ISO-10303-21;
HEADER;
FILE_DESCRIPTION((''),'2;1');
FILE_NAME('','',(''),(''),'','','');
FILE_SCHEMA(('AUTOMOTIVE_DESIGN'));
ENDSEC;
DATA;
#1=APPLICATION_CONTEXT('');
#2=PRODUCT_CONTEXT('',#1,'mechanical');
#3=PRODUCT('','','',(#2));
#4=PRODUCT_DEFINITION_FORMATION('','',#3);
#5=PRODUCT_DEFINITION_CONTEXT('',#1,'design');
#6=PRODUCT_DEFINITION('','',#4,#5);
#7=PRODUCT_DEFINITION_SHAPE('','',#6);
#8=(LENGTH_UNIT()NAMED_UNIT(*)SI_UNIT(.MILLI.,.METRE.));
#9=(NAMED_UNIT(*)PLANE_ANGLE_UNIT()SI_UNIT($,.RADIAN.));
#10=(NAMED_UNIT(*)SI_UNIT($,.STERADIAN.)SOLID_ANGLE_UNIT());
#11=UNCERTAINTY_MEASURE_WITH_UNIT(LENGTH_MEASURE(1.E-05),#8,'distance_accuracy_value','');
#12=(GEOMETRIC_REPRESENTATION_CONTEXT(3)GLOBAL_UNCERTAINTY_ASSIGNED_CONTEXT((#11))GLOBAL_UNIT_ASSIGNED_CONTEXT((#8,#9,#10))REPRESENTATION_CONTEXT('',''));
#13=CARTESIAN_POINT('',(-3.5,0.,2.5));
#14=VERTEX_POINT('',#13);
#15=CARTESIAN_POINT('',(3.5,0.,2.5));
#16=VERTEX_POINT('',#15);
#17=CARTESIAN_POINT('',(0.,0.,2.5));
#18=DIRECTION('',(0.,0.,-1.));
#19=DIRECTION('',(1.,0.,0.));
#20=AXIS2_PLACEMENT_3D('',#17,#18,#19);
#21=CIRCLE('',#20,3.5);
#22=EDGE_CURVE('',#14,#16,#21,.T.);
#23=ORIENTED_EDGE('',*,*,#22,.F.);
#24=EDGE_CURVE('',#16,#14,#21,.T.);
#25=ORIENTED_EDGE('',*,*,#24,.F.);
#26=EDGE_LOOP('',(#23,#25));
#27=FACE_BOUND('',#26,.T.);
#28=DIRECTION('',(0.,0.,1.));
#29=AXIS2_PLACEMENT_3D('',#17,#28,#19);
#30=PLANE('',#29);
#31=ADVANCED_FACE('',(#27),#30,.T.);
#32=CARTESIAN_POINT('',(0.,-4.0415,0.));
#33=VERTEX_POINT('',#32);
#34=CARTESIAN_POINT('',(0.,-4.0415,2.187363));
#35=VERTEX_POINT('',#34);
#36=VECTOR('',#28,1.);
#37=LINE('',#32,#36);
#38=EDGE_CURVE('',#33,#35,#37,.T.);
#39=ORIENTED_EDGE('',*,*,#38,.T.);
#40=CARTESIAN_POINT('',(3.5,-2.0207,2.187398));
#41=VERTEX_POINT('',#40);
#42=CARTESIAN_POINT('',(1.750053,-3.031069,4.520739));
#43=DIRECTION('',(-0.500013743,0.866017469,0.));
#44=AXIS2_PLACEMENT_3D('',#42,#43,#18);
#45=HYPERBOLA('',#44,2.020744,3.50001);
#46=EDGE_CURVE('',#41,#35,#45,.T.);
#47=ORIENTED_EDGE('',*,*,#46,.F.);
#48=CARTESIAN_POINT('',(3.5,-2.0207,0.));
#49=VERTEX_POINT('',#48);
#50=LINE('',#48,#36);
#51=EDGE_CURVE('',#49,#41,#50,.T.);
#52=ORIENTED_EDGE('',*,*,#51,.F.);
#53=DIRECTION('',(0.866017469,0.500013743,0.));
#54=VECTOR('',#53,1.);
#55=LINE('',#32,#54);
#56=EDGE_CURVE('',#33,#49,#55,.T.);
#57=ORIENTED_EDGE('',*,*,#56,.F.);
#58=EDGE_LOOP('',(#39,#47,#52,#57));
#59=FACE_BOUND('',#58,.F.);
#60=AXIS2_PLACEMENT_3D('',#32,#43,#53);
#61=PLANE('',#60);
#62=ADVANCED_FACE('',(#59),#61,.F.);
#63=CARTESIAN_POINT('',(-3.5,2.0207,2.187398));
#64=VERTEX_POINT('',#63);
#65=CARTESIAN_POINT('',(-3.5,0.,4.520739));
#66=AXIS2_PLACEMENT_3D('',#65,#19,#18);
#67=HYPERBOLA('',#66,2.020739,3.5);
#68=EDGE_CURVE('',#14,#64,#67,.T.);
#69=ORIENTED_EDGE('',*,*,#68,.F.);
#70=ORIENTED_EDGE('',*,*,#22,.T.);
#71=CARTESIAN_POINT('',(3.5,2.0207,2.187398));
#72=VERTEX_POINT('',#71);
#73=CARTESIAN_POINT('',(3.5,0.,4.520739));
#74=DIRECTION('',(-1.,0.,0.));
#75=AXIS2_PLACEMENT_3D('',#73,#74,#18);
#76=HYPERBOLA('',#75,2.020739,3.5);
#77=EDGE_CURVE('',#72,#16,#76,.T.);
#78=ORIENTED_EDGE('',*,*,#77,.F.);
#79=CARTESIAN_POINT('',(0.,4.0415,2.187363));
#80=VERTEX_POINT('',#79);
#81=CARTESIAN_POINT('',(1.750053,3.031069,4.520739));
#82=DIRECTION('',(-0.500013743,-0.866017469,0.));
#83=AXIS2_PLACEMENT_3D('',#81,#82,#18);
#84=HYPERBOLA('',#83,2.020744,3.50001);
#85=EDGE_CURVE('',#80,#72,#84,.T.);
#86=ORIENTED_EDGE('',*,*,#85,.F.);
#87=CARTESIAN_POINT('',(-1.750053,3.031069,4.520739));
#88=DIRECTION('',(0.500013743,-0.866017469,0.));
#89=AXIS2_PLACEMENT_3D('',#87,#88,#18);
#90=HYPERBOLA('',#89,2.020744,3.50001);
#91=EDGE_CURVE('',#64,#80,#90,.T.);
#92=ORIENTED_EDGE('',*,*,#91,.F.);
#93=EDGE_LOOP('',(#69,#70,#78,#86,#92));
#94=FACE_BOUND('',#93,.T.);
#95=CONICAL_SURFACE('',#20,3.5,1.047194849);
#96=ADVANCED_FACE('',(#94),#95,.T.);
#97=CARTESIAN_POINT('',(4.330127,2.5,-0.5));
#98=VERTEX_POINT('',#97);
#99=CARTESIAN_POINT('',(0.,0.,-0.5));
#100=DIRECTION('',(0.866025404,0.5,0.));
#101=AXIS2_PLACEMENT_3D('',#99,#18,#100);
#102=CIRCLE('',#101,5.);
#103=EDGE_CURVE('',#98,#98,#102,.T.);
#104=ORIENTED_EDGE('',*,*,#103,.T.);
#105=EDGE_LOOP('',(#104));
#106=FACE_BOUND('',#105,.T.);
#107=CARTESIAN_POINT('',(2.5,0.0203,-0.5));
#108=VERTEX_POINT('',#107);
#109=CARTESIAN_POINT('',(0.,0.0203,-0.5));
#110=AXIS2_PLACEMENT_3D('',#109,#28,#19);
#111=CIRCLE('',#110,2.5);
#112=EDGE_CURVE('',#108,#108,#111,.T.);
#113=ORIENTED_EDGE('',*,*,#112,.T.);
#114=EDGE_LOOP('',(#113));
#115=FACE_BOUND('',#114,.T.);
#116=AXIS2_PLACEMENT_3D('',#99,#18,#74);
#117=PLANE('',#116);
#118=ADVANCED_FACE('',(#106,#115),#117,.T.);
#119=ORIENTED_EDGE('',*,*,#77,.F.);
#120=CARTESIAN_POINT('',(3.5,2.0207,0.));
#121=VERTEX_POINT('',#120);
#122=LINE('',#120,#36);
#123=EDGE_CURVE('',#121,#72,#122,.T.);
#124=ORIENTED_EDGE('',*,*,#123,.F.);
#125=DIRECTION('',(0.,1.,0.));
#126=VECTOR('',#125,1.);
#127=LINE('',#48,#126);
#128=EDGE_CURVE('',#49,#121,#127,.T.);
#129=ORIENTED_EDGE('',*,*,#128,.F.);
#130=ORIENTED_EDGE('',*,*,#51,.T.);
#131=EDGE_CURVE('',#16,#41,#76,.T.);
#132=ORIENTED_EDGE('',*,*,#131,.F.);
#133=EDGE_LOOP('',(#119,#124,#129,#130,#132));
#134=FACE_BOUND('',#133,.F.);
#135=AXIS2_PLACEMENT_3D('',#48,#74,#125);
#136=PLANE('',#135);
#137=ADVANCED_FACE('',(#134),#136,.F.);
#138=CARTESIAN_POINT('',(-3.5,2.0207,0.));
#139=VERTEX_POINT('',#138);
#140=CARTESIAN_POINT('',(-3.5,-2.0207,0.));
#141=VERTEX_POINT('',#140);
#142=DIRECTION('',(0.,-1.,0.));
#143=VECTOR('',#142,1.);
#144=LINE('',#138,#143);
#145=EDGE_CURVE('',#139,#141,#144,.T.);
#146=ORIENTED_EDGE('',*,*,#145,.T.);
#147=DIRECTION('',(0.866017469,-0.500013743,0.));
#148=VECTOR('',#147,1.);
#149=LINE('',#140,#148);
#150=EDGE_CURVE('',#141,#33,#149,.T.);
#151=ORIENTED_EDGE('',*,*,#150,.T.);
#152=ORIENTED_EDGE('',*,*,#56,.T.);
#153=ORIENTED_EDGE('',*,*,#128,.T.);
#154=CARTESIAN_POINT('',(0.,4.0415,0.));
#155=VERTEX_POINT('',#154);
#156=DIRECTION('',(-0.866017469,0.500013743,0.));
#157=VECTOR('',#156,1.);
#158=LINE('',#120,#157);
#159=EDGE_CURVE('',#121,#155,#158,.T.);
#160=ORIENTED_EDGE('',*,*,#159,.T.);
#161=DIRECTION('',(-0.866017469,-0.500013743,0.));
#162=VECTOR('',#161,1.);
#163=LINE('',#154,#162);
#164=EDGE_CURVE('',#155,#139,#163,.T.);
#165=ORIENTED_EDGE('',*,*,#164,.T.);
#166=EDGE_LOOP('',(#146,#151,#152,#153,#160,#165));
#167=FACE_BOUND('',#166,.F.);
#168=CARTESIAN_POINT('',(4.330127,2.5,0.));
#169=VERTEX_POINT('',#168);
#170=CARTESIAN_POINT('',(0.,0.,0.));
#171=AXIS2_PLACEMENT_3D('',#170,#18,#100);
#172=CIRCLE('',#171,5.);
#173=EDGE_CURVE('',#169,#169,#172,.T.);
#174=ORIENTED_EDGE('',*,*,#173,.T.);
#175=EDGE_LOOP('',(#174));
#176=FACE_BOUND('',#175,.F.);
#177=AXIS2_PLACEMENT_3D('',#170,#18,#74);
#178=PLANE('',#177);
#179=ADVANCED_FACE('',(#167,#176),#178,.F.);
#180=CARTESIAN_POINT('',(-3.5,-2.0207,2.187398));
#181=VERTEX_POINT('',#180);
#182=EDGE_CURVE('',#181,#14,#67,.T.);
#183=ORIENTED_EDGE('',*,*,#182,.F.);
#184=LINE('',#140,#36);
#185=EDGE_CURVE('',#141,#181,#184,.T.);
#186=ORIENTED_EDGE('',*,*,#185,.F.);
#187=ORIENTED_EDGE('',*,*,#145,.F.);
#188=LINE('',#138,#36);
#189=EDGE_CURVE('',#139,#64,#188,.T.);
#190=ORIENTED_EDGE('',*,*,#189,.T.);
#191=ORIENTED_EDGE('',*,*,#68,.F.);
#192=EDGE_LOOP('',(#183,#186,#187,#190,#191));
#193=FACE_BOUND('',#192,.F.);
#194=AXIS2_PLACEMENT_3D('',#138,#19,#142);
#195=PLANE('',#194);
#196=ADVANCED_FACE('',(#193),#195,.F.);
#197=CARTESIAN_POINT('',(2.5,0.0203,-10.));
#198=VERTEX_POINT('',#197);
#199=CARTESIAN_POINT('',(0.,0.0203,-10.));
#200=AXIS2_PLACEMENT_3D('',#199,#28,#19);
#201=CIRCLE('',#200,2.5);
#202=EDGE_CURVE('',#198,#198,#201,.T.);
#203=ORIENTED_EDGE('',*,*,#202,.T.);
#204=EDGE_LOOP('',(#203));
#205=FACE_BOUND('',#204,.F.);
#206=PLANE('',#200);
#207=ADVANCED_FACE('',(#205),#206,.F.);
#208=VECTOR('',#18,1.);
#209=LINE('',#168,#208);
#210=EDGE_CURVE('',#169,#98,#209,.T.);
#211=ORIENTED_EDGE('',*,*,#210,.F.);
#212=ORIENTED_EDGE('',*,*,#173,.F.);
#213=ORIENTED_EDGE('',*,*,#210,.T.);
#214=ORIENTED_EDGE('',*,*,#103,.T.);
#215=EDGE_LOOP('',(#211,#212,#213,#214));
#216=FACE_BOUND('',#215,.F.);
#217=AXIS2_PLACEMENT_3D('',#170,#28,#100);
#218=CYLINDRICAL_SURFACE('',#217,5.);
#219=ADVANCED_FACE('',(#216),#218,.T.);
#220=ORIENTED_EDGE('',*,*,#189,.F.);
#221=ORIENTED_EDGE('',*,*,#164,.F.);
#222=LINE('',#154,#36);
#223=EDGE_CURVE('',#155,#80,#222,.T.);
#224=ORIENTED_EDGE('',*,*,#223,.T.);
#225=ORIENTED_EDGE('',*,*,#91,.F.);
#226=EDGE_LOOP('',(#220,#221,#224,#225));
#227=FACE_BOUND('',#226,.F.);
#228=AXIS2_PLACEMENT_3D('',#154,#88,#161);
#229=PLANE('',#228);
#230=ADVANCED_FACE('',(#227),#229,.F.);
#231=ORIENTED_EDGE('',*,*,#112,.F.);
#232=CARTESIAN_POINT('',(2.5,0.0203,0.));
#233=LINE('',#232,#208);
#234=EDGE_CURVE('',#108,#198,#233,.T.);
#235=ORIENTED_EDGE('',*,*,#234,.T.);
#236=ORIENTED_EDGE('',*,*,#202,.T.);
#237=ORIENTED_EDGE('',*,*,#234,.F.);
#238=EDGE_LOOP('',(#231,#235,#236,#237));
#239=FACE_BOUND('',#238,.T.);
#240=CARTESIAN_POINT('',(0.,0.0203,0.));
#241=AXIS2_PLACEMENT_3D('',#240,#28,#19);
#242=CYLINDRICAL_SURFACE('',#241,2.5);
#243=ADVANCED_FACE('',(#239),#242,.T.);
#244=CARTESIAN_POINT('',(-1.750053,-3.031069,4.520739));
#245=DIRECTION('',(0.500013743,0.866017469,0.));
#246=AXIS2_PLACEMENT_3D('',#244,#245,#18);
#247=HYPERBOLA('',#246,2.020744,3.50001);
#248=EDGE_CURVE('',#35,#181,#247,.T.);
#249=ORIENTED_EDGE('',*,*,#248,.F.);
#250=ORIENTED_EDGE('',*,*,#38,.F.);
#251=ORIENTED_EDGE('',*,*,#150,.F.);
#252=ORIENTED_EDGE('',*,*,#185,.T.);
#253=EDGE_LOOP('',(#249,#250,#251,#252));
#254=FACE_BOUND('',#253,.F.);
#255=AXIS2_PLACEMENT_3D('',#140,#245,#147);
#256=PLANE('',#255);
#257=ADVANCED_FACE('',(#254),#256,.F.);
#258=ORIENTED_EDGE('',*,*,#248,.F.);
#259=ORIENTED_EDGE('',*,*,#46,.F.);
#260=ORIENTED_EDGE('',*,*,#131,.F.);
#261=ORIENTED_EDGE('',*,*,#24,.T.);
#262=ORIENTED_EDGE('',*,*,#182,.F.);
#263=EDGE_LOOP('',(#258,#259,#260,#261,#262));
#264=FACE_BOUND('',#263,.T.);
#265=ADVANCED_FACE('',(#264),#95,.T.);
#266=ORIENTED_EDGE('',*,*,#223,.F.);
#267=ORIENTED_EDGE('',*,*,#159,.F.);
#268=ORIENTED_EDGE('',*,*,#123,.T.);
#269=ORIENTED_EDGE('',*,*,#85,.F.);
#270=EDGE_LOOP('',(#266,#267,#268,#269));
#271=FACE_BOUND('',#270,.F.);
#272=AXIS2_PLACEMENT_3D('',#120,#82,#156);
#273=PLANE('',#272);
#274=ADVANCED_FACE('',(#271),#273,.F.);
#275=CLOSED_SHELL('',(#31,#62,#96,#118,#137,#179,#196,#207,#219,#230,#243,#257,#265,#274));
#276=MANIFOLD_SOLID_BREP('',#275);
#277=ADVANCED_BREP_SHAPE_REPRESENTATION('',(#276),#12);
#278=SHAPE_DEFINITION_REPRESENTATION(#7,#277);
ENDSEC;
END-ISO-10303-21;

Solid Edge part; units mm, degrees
sketch "Sketch1" plane through (0, 0, 0) normal (0, 0, 1) x (1, 0, 0)
  line L0 (0, -4.0415) -> (3.5, -2.0207)
  line L1 (3.5, -2.0207) -> (3.5, 2.0207)
  line L2 (3.5, 2.0207) -> (0, 4.0415)
  line L3 (0, 4.0415) -> (-3.5, 2.0207)
  line L4 (-3.5, 2.0207) -> (-3.5, -2.0207)
  line L5 (-3.5, -2.0207) -> (0, -4.0415)
extrude "Protrusion1" add sketch "Sketch1" along normal blind 2.5
sketch "Sketch2" plane through (0, 0, 0) normal (0, 0, -1) x (0.866, 0.5, 0)
  circle A0 centre (0, 0) radius 5
extrude "ExtrudedProtrusion_2" add sketch "Sketch2" along normal blind 0.5
extrude "Protrusion2" [suppressed]
sketch "Sketch3" plane through (0, 0, 0) normal (0, -1, 0) x (1, 0, 0)
  line L0 (7.8301, 2.5) -> (3.5, 2.5)
  line L1 (3.5, 2.5) -> (7.8301, 0)
  line L2 (7.8301, 0) -> (7.8301, 2.5)
revolve "RevolvedCutout1" cut sketch "Sketch3" angle 360 about axis through (0, 0, 10.8167) along (0, 0, -1)
sketch "Sketch4" plane through (0, 0, 0) normal (0, 0, 1) x (1, 0, 0)
  circle A0 centre (0, 0.0203) radius 2.5
extrude "Protrusion3" add sketch "Sketch4" against normal blind 10
